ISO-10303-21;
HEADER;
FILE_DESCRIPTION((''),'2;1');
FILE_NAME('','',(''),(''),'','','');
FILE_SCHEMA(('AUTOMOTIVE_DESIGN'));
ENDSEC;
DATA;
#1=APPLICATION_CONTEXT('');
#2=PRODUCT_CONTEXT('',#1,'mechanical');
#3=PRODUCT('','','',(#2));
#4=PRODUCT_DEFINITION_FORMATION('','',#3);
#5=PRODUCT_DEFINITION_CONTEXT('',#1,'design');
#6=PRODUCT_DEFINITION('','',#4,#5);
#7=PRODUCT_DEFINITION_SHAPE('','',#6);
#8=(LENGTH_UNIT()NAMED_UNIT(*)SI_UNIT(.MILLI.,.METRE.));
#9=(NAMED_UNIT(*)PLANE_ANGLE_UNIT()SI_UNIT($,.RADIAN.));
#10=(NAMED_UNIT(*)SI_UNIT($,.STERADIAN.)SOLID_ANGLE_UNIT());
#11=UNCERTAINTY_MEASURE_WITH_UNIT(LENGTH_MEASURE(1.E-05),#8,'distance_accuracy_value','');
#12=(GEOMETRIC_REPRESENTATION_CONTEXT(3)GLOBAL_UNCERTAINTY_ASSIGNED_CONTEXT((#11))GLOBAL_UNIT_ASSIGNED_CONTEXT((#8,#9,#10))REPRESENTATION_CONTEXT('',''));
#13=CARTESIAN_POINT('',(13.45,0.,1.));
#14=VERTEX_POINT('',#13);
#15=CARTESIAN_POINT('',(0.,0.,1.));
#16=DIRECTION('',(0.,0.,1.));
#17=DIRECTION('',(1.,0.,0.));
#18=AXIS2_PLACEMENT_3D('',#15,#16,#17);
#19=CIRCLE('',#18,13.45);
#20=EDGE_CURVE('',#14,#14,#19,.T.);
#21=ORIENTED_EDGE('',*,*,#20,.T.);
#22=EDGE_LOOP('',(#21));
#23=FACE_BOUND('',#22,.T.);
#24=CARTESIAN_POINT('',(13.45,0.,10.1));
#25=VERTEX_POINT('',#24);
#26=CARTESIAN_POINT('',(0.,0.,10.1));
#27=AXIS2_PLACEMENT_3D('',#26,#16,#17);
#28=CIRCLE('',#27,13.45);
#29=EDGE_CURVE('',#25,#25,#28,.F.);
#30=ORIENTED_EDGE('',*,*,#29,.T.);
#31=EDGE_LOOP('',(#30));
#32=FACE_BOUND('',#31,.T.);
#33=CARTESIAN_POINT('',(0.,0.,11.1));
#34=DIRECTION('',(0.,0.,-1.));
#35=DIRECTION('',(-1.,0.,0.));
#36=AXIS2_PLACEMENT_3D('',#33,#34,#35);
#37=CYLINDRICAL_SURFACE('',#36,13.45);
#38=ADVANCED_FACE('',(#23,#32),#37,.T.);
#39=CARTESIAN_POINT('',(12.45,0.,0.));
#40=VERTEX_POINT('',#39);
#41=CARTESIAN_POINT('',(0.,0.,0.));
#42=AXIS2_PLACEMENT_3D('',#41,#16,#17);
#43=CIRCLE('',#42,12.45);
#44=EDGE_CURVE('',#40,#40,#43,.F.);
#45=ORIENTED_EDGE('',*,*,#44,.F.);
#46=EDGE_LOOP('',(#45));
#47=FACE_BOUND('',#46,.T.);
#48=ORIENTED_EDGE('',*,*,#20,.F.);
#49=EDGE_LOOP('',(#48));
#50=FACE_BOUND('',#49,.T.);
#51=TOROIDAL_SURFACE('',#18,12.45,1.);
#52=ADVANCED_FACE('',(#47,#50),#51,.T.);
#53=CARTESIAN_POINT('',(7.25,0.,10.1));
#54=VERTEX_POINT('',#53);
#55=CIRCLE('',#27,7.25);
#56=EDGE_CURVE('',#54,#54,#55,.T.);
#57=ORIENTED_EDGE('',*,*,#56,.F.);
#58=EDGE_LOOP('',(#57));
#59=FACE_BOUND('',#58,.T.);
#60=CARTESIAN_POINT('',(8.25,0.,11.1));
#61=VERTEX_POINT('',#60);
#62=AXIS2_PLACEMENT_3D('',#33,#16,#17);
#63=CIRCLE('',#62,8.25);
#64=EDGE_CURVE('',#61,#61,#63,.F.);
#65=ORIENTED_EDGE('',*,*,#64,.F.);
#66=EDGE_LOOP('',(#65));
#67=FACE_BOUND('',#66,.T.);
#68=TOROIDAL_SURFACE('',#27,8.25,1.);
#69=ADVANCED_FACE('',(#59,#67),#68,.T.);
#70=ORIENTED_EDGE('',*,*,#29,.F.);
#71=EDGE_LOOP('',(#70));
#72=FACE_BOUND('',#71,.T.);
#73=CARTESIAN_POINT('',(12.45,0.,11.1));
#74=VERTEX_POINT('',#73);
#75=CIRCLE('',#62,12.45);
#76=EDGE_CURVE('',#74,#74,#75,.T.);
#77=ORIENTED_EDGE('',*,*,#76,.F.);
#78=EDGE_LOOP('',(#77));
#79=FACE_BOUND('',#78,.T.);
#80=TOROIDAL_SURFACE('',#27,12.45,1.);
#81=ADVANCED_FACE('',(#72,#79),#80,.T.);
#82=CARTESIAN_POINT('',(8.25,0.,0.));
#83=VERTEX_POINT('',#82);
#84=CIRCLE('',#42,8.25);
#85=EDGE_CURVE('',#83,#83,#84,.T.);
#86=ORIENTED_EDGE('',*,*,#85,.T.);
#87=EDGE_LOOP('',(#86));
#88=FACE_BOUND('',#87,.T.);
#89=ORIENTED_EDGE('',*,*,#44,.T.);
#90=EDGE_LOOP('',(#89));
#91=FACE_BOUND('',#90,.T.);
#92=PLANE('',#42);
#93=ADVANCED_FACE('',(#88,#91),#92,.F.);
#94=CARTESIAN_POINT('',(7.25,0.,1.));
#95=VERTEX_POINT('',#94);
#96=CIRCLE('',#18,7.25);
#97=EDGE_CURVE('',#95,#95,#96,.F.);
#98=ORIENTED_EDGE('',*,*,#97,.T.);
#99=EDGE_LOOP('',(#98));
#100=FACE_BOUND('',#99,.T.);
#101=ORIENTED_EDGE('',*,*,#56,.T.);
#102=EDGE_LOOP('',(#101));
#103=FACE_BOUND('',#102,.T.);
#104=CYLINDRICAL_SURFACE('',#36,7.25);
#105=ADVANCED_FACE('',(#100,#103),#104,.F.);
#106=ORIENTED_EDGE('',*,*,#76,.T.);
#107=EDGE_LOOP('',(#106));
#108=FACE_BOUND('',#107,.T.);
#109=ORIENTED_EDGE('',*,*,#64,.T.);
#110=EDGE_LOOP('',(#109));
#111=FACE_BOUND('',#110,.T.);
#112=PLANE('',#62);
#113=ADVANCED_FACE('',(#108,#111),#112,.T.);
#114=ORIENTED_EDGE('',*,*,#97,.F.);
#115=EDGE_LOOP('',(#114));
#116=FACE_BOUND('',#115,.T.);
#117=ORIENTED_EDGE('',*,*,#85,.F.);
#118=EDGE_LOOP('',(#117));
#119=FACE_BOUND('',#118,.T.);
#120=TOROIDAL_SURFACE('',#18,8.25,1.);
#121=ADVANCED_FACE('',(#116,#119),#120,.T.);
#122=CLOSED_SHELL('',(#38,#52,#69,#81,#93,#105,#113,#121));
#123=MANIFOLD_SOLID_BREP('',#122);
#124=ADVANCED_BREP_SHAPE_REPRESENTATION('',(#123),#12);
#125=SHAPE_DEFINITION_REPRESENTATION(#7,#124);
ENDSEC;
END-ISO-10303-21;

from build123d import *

# Parameters (mm, degrees)
ESBO_O1_R                = 13.45
ESBO_O1_R_2              = 7.25
RESSALTO_EXTRUS_O1_DEPTH = 11.1
FILETE1_R                = 1


with BuildPart() as part:
    # Esboço1 → Ressalto-extrusão1 (new body)
    with BuildSketch(Plane.XY):
        Circle(ESBO_O1_R)
        Circle(ESBO_O1_R_2, mode=Mode.SUBTRACT)
    extrude(amount=RESSALTO_EXTRUS_O1_DEPTH)

    # Filete1
    filete1_edges = [part.edges().sort_by_distance(p)[0] for p in [
        (-13.45, 0, 0),
        (-13.45, 0, 11.1),
        (-7.25, 0, 0),
        (-7.25, 0, 11.1),
    ]]
    fillet(filete1_edges, radius=FILETE1_R)


solid = part.part
